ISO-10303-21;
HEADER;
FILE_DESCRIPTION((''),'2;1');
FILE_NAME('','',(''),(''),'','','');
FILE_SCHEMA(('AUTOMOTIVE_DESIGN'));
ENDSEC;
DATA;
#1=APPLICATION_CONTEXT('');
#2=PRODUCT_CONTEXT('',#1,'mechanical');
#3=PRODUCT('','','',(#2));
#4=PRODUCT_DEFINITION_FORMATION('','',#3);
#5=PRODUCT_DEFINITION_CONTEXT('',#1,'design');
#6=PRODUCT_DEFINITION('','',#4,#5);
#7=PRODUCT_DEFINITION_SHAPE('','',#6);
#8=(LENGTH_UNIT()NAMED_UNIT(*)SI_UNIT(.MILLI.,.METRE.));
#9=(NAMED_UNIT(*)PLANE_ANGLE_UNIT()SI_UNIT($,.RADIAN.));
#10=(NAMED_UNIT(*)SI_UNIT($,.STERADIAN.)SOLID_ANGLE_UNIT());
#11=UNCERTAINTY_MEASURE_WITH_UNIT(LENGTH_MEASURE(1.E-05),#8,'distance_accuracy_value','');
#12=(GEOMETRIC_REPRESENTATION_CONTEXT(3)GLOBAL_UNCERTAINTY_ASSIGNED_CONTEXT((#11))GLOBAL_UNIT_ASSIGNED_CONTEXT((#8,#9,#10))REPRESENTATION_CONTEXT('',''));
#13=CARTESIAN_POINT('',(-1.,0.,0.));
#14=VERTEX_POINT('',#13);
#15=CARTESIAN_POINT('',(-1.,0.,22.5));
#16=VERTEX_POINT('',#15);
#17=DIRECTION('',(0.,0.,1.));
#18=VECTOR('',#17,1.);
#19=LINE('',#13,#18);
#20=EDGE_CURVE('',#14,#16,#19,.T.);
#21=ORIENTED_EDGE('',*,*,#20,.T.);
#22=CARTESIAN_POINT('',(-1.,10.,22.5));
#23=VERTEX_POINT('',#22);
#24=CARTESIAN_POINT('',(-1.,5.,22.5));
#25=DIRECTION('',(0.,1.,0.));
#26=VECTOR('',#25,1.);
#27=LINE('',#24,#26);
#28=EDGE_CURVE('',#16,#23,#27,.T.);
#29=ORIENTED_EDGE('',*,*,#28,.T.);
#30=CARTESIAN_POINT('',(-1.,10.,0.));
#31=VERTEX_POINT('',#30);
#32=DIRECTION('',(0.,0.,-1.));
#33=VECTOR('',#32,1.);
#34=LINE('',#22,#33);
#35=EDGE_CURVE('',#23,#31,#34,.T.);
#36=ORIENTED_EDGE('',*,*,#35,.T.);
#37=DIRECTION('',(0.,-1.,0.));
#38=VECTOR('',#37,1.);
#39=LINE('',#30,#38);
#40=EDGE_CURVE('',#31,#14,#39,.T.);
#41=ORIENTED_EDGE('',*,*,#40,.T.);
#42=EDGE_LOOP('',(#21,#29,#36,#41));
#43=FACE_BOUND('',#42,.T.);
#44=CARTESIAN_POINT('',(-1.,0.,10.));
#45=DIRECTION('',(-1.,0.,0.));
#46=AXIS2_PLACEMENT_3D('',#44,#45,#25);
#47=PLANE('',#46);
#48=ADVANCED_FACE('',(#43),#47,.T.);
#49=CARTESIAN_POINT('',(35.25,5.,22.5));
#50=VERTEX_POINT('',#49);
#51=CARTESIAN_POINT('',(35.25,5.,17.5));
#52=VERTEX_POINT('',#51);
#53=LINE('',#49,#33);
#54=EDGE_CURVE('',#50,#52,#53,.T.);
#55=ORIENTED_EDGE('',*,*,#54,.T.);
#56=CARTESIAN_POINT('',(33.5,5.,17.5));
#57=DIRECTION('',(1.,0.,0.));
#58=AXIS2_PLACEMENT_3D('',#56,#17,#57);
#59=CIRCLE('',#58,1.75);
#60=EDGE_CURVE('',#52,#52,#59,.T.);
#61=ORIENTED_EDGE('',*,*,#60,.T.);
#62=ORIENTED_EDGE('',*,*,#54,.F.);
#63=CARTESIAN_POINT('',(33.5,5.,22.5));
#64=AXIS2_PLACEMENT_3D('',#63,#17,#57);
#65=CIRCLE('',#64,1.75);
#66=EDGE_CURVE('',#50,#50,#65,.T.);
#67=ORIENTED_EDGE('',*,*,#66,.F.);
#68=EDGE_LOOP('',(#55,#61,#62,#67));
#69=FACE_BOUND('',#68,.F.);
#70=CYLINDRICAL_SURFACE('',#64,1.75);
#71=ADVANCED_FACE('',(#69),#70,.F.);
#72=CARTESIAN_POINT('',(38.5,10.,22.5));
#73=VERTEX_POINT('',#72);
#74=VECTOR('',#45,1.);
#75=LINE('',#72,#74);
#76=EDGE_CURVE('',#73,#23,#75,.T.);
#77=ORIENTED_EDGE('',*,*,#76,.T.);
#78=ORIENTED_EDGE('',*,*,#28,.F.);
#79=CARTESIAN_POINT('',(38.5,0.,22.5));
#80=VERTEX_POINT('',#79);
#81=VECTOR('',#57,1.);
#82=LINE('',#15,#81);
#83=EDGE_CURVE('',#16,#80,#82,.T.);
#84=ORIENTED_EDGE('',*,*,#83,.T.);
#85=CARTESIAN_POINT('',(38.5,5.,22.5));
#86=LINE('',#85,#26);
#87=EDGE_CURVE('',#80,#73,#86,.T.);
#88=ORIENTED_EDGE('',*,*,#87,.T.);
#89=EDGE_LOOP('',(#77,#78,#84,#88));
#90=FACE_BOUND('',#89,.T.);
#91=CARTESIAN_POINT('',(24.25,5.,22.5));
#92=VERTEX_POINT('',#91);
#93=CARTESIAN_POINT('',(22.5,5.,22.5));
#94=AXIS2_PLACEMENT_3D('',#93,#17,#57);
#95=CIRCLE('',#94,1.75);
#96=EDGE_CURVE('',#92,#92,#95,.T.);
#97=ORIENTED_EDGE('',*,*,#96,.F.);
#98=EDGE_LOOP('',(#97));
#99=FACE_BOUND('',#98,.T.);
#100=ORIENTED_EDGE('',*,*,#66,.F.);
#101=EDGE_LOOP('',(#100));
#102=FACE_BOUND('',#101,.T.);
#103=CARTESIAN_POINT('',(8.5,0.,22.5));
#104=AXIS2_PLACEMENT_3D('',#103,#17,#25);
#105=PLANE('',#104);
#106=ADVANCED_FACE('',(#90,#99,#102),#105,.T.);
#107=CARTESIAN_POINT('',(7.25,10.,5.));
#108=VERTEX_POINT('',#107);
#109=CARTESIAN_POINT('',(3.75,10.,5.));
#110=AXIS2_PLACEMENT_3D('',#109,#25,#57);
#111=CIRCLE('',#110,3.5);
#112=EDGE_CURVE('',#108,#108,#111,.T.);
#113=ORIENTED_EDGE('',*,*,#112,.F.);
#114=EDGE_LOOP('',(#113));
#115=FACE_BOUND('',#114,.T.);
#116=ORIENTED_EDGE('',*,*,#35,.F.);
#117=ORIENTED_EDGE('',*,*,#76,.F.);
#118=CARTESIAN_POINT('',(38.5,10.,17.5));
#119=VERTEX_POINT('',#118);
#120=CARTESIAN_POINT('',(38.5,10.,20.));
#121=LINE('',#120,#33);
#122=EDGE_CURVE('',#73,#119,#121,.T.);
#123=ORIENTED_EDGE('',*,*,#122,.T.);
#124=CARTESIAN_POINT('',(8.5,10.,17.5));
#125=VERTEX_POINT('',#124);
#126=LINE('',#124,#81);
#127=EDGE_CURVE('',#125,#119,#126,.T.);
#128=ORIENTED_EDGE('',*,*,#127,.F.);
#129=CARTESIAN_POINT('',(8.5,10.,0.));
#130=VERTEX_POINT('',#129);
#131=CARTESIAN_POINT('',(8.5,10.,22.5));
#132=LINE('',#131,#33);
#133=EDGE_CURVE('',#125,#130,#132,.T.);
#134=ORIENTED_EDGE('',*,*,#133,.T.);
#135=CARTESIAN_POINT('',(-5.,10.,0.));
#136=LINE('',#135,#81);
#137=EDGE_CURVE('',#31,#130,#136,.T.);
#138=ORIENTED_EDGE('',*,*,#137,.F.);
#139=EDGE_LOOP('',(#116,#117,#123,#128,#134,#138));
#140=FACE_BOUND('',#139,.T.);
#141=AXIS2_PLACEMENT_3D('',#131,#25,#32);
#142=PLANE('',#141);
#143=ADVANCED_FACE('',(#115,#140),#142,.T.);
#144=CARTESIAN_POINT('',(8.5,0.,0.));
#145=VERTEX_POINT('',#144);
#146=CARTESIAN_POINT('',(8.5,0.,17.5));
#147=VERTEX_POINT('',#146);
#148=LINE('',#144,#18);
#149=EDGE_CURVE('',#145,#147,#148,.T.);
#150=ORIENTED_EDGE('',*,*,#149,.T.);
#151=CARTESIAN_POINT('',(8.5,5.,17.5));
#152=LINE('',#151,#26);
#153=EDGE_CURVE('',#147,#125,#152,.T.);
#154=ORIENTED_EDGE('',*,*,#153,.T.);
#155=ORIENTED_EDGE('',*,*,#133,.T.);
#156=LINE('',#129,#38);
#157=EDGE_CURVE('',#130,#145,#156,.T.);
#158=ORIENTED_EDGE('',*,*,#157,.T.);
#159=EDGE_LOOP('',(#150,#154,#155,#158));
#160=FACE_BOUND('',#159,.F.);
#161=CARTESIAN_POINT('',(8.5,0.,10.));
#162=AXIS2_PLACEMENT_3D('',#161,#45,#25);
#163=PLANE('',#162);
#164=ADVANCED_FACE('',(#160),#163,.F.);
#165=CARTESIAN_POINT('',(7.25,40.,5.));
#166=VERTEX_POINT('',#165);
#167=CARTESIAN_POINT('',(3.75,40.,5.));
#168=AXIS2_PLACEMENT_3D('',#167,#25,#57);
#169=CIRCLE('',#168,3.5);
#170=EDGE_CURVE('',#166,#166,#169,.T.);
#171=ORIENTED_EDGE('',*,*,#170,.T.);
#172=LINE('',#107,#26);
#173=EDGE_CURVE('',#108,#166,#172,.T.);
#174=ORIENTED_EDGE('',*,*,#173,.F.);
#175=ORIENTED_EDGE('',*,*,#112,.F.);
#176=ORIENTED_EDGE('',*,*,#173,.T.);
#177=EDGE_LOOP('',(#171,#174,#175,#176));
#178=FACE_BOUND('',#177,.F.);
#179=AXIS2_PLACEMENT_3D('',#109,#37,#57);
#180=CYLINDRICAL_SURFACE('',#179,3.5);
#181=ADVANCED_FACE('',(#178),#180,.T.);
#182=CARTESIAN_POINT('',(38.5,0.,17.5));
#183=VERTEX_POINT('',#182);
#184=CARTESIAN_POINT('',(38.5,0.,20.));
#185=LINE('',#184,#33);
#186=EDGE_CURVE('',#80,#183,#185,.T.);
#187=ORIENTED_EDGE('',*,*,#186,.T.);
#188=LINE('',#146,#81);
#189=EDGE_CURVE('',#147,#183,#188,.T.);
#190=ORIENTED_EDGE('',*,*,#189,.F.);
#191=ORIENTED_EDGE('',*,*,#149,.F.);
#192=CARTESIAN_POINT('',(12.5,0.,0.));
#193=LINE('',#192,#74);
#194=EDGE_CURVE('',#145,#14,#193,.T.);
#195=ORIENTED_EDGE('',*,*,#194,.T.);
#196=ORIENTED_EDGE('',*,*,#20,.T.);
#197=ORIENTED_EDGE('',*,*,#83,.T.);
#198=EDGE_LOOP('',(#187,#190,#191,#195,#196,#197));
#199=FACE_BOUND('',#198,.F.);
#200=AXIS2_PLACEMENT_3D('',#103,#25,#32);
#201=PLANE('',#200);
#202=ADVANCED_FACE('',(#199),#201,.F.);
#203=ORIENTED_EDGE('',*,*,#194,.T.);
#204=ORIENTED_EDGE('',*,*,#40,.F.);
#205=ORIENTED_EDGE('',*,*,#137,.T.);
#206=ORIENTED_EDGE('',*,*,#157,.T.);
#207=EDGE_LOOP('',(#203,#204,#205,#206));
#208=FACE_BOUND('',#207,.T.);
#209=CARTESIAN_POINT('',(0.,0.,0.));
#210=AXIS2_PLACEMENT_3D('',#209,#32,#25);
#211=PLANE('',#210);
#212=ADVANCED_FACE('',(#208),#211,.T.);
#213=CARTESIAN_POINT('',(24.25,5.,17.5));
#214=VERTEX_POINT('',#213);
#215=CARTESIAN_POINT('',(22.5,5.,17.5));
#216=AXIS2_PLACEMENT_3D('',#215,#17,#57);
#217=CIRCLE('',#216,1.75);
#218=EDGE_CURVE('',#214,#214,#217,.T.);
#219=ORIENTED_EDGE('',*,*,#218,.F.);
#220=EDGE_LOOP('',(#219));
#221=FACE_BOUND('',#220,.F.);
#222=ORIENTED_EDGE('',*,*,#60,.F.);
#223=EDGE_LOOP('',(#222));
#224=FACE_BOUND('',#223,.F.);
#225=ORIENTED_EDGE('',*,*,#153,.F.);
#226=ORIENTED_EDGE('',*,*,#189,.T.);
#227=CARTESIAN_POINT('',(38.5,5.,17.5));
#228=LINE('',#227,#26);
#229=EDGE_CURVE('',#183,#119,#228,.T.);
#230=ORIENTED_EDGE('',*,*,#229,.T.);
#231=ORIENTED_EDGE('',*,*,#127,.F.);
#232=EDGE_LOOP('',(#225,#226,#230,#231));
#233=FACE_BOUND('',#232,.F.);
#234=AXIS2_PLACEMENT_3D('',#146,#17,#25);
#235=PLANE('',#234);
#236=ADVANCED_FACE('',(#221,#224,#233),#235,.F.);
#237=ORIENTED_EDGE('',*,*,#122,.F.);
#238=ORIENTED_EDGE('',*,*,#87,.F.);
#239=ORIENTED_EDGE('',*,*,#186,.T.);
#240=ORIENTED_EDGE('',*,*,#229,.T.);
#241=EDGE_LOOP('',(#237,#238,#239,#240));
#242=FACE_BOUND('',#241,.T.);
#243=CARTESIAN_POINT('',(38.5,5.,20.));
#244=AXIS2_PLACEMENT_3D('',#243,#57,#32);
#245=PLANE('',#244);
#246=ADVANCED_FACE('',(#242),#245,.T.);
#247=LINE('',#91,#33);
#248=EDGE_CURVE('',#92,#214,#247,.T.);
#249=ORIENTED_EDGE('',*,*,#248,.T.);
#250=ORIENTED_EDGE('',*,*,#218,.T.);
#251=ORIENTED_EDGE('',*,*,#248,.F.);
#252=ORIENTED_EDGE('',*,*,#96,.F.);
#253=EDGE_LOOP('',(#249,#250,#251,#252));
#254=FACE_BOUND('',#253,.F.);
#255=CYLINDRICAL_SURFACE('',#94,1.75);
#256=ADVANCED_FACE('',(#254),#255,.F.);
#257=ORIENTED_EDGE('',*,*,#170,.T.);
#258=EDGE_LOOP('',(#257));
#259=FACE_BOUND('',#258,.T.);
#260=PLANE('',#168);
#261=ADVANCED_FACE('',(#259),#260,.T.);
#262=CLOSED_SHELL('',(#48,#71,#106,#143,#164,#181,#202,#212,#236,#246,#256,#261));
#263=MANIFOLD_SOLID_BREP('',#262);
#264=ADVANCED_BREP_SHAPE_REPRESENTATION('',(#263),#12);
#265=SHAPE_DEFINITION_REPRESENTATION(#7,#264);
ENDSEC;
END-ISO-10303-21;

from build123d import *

# Parameters (mm, degrees)
SKETCH1_W           = 12.5
SKETCH1_H           = 10
BOSS_EXTRUDE1_DEPTH = 10
SKETCH2_W           = 10
SKETCH2_H           = 10
BOSS_EXTRUDE2_DEPTH = 5
SKETCH3_R           = 3.5
BOSS_EXTRUDE3_DEPTH = 30
SKETCH4_W           = 4
SKETCH4_H           = 10
CUT_EXTRUDE1_DEPTH  = 11
SKETCH5_W           = 9.5
SKETCH5_H           = 10
BOSS_EXTRUDE4_DEPTH = 12.5
SKETCH6_W           = 5
SKETCH6_H           = 10
BOSS_EXTRUDE5_DEPTH = 30
SKETCH7_R           = 1.75
CUT_EXTRUDE2_DEPTH  = 23.5


with BuildPart() as part:
    # Sketch1 → Boss-Extrude1 (new body)
    with BuildSketch(Plane.XY):
        with Locations((6.25, 5)):
            Rectangle(SKETCH1_W, SKETCH1_H)
    extrude(amount=BOSS_EXTRUDE1_DEPTH)

    # Sketch2 → Boss-Extrude2 (add)
    with BuildSketch(Plane.ZY):
        with Locations((5, 5)):
            Rectangle(SKETCH2_W, SKETCH2_H)
    extrude(amount=BOSS_EXTRUDE2_DEPTH)

    # Sketch3 → Boss-Extrude3 (add)
    with BuildSketch(Plane(origin=(0, 10, 0), x_dir=(1, 0, 0), z_dir=(0, 1, 0))):
        with Locations((3.75, -5)):
            Circle(SKETCH3_R)
    extrude(amount=BOSS_EXTRUDE3_DEPTH)

    # Sketch4 → Cut-Extrude1 (cut, through all)
    with BuildSketch(Plane(origin=(0, 10, 0), x_dir=(1, 0, 0), z_dir=(0, 1, 0))):
        with Locations((10.5, -5)):
            Rectangle(SKETCH4_W, SKETCH4_H)
        with Locations((-3, -5)):
            Rectangle(SKETCH4_W, SKETCH4_H)
    extrude(amount=-CUT_EXTRUDE1_DEPTH, mode=Mode.SUBTRACT)

    # Sketch5 → Boss-Extrude4 (add)
    with BuildSketch(Plane.XY.offset(10)):
        with Locations((3.75, 5)):
            Rectangle(SKETCH5_W, SKETCH5_H)
    extrude(amount=BOSS_EXTRUDE4_DEPTH)

    # Sketch6 → Boss-Extrude5 (add)
    with BuildSketch(Plane(origin=(8.5, 0, 0), x_dir=(0, 0, -1), z_dir=(1, 0, 0))):
        with Locations((-20, 5)):
            Rectangle(SKETCH6_W, SKETCH6_H)
    extrude(amount=BOSS_EXTRUDE5_DEPTH)

    # Sketch7 → Cut-Extrude2 (cut, through all)
    with BuildSketch(Plane.XY.offset(22.5)):
        with Locations((22.5, 5)):
            Circle(SKETCH7_R)
        with Locations((33.5, 5)):
            Circle(SKETCH7_R)
    extrude(amount=-CUT_EXTRUDE2_DEPTH, mode=Mode.SUBTRACT)


solid = part.part
